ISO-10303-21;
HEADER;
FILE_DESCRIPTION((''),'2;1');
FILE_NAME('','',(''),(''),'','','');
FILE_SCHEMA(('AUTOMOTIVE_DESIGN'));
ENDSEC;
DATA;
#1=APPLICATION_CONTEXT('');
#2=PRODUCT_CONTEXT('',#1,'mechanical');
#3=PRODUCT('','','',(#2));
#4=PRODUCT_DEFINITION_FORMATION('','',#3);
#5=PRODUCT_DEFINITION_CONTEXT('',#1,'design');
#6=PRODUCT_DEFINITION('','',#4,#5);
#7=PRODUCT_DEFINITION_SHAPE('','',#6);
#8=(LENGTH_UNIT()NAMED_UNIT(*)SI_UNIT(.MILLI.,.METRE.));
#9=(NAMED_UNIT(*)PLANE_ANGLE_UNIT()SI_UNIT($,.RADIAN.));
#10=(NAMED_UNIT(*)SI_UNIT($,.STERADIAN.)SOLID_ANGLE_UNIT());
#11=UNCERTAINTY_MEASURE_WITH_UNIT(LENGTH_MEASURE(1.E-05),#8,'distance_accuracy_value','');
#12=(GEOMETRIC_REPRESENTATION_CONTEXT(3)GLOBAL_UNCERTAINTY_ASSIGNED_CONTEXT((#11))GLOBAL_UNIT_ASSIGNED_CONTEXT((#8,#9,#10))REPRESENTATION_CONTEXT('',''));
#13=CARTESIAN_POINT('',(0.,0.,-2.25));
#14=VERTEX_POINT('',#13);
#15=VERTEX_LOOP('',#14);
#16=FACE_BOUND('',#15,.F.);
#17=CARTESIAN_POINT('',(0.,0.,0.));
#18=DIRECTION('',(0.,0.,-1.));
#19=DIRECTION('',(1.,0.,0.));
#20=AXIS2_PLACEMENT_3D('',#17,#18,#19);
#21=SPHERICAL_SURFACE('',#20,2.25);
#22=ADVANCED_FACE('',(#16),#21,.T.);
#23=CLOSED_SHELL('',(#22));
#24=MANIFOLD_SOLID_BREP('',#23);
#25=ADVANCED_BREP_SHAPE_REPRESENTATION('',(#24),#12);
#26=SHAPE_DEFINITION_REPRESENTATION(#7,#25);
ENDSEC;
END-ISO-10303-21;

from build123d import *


with BuildPart() as part:
    # Esboço1 → Revolução1 (revolve)
    with BuildSketch(Plane(origin=(0, 0, 0), x_dir=(1, 0, 0), z_dir=(0, 1, 0))):
        with BuildLine():
            Line((0, 2.25), (0, -2.25))
            ThreePointArc((0, -2.25), (2.25, 0), (0, 2.25))
        make_face()
    revolve(axis=Axis((0, 0, -3.602834961), (0, 0, 1)))


solid = part.part
